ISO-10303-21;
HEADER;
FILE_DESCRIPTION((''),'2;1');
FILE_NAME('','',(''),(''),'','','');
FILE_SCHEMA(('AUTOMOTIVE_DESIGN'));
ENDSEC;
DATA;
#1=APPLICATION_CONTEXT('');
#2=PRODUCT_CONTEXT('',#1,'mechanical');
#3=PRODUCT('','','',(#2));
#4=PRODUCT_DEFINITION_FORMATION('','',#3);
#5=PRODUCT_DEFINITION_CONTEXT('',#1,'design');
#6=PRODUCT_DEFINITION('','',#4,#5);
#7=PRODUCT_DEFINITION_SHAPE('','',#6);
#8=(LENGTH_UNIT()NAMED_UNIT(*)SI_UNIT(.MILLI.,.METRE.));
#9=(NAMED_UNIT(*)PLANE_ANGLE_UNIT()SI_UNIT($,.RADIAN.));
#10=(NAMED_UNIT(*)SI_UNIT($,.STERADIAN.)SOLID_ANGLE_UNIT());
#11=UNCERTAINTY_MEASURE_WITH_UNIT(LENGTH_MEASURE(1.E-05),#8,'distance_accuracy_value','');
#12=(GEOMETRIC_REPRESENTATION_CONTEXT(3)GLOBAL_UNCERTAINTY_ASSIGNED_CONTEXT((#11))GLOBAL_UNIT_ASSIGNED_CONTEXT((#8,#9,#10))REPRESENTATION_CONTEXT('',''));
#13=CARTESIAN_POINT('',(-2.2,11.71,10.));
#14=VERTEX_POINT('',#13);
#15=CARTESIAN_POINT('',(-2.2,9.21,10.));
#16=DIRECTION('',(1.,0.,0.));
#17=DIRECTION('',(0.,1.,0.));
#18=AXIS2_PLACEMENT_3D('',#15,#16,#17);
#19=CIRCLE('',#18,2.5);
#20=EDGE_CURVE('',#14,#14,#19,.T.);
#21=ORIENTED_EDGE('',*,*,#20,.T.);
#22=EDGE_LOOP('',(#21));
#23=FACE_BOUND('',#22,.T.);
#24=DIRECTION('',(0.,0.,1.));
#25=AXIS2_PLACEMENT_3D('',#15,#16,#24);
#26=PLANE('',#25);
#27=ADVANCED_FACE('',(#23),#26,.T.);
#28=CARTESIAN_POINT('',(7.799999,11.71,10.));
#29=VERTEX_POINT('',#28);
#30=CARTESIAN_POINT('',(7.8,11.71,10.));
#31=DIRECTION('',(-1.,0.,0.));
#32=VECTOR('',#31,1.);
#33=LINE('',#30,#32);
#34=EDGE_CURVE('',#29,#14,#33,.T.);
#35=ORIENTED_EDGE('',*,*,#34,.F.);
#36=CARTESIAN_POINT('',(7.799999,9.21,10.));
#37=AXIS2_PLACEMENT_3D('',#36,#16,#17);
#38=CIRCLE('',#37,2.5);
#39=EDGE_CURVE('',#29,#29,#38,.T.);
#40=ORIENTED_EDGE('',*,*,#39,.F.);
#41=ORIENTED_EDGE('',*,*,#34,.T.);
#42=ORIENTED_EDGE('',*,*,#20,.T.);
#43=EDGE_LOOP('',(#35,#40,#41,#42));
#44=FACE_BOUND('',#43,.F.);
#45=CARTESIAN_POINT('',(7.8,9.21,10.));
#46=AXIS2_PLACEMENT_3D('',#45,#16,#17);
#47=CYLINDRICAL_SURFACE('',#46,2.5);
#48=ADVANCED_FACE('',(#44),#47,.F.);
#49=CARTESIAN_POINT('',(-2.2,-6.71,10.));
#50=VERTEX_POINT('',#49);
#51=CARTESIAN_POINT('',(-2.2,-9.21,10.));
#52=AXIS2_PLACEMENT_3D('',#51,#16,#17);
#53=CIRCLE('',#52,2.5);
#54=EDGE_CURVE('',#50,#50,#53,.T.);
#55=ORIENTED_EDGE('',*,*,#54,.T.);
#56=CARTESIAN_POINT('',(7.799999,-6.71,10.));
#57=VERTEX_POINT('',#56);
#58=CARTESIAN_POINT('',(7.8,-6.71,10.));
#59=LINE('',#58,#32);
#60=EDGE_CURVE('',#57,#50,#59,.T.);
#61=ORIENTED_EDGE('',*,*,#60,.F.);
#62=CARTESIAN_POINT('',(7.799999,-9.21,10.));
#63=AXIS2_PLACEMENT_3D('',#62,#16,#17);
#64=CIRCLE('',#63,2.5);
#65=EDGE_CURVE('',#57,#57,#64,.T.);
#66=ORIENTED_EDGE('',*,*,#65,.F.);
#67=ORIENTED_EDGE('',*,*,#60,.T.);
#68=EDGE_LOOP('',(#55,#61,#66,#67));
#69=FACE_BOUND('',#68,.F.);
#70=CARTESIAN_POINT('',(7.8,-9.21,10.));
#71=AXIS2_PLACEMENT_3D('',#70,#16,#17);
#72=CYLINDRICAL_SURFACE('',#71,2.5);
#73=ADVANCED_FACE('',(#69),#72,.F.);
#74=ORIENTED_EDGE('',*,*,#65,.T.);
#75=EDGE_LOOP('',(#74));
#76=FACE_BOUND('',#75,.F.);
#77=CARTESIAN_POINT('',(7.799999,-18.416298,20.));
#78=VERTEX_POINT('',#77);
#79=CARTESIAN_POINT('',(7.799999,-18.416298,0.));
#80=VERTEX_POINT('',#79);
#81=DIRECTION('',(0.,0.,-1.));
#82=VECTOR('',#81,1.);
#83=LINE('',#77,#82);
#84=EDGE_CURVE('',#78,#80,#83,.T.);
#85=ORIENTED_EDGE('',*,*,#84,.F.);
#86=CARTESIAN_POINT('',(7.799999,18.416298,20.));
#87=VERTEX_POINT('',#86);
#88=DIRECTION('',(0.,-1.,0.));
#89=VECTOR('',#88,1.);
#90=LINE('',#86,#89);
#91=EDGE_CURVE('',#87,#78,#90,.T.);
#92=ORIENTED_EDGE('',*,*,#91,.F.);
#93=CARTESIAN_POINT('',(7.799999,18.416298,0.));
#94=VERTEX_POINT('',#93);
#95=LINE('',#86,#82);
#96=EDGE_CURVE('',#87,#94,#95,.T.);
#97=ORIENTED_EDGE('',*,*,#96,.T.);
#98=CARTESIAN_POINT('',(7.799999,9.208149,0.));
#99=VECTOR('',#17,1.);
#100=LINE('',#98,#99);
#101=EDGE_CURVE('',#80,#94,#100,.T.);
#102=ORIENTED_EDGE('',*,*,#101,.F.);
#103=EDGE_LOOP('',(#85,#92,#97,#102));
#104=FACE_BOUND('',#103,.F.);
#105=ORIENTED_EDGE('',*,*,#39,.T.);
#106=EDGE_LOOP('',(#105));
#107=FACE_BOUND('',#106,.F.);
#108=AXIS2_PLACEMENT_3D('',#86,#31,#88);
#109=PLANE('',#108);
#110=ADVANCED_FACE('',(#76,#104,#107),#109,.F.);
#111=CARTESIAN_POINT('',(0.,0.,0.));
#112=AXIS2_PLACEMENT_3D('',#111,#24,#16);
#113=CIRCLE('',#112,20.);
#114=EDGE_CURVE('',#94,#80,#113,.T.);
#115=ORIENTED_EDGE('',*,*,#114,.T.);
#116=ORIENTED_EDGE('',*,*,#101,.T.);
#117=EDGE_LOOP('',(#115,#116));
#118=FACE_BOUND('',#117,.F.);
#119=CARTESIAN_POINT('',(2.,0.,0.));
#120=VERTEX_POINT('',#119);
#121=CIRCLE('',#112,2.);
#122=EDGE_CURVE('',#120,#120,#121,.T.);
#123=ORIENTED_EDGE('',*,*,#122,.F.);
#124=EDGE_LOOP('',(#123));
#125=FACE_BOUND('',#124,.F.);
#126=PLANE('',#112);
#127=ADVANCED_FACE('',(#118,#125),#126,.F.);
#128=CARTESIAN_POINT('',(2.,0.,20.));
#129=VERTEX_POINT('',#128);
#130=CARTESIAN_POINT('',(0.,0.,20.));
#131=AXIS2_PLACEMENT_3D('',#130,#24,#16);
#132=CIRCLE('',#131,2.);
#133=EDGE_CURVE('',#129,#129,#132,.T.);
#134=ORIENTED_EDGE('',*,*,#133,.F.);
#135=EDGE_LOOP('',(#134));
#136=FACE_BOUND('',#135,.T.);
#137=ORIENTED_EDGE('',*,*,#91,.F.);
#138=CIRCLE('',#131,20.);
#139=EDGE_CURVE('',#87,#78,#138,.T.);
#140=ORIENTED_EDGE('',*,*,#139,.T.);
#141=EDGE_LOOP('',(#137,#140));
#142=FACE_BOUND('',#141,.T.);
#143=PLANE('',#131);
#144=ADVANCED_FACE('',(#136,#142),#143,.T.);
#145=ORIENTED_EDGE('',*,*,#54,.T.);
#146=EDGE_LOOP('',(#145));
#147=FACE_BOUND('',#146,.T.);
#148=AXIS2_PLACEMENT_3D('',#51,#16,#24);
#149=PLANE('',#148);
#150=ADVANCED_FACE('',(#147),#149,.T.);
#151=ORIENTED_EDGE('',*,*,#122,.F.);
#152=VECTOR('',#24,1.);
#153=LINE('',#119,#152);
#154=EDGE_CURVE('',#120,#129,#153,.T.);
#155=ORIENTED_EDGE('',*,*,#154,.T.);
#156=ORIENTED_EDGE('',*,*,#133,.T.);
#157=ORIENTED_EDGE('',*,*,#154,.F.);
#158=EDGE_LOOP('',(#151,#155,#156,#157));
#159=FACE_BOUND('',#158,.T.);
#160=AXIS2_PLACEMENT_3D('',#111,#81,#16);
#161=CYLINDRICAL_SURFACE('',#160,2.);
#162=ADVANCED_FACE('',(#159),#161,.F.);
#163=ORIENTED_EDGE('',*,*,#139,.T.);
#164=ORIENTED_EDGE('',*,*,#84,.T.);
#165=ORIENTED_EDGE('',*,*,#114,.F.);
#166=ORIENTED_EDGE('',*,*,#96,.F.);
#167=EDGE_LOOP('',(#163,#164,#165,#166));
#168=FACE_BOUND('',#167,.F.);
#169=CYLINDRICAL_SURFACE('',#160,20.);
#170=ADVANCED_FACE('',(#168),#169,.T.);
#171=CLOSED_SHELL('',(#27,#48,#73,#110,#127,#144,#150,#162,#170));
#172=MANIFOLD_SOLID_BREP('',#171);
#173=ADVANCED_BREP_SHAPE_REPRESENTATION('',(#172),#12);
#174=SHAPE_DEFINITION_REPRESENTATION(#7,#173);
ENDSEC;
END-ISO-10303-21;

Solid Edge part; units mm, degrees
sketch "Sketch1" plane through (0, 0, 0) normal (0, 0, 1) x (1, 0, 0)
  circle A0 centre (0, 0) radius 20
  circle A1 centre (0, 0) radius 2
  dimension "D1" = 4
  dimension "D2" = 40
extrude "ExtrudedProtrusion_1" add sketch "Sketch1" along normal blind 20
sketch "Sketch2" plane through (0, 0, 20) normal (0, 0, 1) x (1, 0, 0)
  line L0 (7.8, 18.4163) -> (7.8, -18.4163)
  arc A0 (7.8, 18.4163) -> (7.8, -18.4163) centre (0, 0) cw
extrude "Cutout1" cut sketch "Sketch2" against normal up to next
sketch "Sketch3" plane through (7.8, 0, 10) normal (1, 0, 0) x (0, 1, 0)
  circle A0 centre (-9.21, 0) radius 2.5
  circle A1 centre (9.21, 0) radius 2.5
  dimension "D1" = 5
  dimension "D2" = 10
  dimension "D3" = 9.21
extrude "ExtrudedCutout_2" cut sketch "Sketch3" against normal blind 10
properties material "Aluminio"
